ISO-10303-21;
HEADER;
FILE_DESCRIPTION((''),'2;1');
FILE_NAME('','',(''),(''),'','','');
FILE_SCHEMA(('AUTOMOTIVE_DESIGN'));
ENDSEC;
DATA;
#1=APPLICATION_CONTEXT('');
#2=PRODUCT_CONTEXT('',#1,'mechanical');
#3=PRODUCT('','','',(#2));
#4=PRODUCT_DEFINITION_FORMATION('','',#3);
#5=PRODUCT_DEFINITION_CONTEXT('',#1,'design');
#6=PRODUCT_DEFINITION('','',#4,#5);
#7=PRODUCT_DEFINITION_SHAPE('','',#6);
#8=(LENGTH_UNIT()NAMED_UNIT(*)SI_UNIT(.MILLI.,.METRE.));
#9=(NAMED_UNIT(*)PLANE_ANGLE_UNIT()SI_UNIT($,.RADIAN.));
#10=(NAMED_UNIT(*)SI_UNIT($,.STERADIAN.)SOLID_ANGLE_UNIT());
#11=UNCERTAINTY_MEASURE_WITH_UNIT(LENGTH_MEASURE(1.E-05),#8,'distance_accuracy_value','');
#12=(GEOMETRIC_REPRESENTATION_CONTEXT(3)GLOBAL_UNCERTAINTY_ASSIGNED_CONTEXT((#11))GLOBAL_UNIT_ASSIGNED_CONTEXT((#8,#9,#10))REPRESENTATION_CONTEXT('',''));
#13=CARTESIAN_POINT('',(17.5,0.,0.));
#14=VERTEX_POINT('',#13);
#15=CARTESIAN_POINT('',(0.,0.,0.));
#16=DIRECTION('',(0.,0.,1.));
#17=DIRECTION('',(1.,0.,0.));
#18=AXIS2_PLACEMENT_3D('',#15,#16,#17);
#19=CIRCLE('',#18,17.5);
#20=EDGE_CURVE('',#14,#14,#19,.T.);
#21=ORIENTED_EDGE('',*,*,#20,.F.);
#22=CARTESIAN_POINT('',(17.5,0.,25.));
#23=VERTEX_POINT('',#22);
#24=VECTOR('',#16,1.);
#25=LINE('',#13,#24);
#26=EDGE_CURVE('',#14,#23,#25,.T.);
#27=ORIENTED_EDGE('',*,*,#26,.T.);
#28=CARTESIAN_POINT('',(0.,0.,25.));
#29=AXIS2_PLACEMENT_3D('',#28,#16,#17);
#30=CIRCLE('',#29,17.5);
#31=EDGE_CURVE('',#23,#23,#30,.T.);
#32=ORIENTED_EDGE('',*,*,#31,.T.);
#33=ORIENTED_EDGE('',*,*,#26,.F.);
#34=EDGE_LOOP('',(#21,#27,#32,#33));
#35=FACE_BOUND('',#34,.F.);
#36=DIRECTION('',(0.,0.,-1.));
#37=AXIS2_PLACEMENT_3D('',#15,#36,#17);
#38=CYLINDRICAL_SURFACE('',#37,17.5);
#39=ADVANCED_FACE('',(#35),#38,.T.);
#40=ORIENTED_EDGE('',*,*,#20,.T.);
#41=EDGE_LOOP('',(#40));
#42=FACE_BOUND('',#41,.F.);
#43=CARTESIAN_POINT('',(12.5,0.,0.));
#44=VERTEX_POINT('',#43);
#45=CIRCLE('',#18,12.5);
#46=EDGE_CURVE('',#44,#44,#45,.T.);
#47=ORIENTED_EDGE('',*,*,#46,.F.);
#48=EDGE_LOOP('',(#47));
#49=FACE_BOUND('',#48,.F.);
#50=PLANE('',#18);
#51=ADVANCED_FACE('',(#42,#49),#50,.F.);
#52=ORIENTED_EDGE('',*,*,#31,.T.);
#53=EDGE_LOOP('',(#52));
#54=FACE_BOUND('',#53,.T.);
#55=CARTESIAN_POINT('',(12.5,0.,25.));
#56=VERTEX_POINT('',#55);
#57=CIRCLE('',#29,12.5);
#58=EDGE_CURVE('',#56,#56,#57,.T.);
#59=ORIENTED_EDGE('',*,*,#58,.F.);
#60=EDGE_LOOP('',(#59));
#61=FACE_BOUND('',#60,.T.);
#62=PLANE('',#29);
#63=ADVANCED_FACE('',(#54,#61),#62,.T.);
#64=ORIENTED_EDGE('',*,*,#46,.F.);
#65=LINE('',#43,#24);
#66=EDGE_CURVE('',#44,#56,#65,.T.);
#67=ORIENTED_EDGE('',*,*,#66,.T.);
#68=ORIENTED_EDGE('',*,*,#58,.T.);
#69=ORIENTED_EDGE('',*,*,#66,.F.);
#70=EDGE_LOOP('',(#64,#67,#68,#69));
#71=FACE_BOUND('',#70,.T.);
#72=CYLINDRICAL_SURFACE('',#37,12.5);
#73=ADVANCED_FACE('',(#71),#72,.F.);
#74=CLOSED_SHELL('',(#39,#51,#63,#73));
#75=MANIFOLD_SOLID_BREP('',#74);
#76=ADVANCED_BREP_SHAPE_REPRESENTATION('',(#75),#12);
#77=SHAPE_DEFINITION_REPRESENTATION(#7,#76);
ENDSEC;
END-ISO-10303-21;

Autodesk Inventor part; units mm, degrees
ref_plane "YZ Plane" through (0, 0, 0) normal (1, 0, 0) x (0, 1, 0)
ref_plane "XZ Plane" through (0, 0, 0) normal (0, 1, 0) x (-1, 0, 0)
ref_plane "XY Plane" through (0, 0, 0) normal (0, 0, 1) x (1, 0, 0)
sketch "Boceto1" plane through (0, 0, 0) normal (0, 0, 1) x (1, 0, 0)
  circle A0 centre (0, 0) radius 12.5
  circle A1 centre (0, 0) radius 17.5
  dimension "d0" = 25
  dimension "d1" = 35
extrude "Extrusión1" add sketch "Boceto1" along normal blind 25
properties part number "ancla_tornillo"
